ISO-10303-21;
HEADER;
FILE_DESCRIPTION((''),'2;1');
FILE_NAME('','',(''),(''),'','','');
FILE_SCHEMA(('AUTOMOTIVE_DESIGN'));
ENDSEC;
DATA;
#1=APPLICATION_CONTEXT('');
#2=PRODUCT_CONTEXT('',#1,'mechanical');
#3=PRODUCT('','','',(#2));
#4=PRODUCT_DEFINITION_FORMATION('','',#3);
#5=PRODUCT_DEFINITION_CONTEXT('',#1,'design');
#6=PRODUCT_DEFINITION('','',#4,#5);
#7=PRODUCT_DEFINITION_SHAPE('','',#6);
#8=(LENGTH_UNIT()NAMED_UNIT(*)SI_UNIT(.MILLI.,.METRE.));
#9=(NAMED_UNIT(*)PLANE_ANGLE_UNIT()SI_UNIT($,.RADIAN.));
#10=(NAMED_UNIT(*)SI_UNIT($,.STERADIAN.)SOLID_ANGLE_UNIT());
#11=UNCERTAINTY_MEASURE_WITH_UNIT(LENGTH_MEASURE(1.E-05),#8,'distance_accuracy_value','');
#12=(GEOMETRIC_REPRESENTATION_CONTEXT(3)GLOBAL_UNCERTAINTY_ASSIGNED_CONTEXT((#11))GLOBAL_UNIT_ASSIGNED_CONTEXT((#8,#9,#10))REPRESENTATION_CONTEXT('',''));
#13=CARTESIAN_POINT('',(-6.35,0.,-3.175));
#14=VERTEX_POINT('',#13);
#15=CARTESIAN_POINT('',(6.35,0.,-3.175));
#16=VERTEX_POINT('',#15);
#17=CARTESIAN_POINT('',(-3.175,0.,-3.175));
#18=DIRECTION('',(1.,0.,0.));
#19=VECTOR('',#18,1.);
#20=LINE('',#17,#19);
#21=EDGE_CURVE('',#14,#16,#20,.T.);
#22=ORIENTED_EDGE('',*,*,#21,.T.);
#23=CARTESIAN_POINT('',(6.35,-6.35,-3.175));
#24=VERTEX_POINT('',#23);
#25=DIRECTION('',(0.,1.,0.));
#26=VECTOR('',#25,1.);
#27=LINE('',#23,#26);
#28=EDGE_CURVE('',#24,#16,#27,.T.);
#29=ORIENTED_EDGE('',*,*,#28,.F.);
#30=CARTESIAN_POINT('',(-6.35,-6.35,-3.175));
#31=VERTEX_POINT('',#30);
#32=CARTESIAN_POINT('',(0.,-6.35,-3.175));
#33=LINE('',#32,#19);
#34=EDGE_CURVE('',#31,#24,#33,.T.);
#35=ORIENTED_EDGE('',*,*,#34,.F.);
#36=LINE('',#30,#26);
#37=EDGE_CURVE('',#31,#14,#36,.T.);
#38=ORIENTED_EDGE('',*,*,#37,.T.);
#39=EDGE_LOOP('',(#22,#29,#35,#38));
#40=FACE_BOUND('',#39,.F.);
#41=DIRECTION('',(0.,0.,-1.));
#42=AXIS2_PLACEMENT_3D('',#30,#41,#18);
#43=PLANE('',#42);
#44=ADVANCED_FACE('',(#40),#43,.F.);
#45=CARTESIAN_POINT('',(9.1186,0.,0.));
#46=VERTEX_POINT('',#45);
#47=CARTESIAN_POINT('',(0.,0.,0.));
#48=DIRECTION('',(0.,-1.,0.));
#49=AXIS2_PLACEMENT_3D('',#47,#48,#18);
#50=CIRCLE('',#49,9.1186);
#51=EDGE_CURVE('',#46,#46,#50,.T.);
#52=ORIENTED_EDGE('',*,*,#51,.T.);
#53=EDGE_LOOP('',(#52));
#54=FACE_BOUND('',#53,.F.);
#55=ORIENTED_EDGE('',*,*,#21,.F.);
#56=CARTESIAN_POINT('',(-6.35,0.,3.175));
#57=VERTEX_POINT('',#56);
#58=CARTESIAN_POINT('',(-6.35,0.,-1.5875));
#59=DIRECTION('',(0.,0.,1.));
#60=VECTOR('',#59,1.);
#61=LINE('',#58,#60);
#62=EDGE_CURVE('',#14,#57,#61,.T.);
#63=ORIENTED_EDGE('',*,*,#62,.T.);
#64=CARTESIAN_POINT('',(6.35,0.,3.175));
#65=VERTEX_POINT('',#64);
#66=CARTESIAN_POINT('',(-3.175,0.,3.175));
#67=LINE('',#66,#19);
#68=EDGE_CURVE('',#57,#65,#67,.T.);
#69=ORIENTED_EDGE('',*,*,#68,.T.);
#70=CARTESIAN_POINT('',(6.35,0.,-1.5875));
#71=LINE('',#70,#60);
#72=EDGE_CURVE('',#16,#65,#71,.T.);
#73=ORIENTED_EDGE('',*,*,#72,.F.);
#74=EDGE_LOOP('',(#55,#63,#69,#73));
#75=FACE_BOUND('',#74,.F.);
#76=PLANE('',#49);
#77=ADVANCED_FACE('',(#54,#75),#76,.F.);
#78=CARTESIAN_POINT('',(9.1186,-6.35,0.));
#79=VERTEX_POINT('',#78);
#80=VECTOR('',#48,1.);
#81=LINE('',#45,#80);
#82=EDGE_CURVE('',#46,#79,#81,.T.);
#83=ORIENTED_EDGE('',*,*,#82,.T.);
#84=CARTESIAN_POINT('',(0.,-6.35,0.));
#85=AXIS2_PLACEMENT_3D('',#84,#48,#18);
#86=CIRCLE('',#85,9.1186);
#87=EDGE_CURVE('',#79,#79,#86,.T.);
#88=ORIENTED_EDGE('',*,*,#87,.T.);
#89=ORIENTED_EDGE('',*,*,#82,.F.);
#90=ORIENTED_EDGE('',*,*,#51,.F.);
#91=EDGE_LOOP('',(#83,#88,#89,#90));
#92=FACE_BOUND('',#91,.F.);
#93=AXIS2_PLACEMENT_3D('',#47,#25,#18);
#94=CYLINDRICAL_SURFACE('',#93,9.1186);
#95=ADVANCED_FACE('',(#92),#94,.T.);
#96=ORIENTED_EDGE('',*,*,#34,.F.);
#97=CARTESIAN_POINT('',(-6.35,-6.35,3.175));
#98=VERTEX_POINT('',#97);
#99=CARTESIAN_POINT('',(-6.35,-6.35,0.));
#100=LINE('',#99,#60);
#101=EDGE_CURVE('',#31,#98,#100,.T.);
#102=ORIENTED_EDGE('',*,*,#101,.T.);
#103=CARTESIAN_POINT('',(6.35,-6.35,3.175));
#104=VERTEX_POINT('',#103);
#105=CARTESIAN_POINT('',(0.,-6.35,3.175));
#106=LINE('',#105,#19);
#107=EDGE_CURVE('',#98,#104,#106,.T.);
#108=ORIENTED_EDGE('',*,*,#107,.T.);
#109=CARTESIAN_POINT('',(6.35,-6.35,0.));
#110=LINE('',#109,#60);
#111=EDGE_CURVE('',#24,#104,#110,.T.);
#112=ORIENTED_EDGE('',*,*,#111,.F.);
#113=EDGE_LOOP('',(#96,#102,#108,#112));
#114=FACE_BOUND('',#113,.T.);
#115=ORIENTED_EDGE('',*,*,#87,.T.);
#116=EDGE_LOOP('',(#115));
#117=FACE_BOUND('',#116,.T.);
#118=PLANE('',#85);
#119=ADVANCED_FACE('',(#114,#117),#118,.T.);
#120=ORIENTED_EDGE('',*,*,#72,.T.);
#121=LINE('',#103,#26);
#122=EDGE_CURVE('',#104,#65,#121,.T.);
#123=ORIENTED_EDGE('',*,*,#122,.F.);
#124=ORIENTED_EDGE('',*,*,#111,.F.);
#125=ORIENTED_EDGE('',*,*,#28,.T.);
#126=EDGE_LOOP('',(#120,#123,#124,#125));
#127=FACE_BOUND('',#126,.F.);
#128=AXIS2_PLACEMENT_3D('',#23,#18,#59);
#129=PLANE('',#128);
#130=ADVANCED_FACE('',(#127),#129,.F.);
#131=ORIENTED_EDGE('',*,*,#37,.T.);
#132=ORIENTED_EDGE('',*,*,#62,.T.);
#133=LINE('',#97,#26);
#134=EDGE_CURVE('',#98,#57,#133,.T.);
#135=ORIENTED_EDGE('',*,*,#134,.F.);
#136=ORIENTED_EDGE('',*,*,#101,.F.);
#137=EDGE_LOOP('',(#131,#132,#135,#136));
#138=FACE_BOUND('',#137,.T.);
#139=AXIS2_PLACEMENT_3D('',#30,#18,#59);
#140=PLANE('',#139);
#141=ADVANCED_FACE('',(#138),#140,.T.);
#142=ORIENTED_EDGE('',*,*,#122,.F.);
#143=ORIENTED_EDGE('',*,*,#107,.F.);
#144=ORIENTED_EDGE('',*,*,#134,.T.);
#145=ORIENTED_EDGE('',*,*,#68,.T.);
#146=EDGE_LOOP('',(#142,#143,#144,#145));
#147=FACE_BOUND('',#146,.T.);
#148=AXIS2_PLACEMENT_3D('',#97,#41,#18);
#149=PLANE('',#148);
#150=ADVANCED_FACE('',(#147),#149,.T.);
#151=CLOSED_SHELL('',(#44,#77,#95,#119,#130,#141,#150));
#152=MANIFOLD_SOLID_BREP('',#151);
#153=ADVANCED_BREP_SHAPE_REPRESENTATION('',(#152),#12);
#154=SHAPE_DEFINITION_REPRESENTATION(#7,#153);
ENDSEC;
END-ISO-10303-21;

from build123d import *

# Parameters (mm, degrees)
F0_R     = 9.1186
F1_DEPTH = 6.35
F2_W     = 12.7
F2_H     = 6.35
F3_DEPTH = 6.351


with BuildPart() as f1:
    # F0 (on Front) → F1 (new body)
    with BuildSketch(Plane.XZ):
        Circle(F0_R)
    extrude(amount=F1_DEPTH)

    # F2 (on face) → F3 (cut, through all)
    with BuildSketch(Plane.XZ.offset(6.35)):
        Rectangle(F2_W, F2_H)
    extrude(amount=-F3_DEPTH, mode=Mode.SUBTRACT)


solid = f1.part
